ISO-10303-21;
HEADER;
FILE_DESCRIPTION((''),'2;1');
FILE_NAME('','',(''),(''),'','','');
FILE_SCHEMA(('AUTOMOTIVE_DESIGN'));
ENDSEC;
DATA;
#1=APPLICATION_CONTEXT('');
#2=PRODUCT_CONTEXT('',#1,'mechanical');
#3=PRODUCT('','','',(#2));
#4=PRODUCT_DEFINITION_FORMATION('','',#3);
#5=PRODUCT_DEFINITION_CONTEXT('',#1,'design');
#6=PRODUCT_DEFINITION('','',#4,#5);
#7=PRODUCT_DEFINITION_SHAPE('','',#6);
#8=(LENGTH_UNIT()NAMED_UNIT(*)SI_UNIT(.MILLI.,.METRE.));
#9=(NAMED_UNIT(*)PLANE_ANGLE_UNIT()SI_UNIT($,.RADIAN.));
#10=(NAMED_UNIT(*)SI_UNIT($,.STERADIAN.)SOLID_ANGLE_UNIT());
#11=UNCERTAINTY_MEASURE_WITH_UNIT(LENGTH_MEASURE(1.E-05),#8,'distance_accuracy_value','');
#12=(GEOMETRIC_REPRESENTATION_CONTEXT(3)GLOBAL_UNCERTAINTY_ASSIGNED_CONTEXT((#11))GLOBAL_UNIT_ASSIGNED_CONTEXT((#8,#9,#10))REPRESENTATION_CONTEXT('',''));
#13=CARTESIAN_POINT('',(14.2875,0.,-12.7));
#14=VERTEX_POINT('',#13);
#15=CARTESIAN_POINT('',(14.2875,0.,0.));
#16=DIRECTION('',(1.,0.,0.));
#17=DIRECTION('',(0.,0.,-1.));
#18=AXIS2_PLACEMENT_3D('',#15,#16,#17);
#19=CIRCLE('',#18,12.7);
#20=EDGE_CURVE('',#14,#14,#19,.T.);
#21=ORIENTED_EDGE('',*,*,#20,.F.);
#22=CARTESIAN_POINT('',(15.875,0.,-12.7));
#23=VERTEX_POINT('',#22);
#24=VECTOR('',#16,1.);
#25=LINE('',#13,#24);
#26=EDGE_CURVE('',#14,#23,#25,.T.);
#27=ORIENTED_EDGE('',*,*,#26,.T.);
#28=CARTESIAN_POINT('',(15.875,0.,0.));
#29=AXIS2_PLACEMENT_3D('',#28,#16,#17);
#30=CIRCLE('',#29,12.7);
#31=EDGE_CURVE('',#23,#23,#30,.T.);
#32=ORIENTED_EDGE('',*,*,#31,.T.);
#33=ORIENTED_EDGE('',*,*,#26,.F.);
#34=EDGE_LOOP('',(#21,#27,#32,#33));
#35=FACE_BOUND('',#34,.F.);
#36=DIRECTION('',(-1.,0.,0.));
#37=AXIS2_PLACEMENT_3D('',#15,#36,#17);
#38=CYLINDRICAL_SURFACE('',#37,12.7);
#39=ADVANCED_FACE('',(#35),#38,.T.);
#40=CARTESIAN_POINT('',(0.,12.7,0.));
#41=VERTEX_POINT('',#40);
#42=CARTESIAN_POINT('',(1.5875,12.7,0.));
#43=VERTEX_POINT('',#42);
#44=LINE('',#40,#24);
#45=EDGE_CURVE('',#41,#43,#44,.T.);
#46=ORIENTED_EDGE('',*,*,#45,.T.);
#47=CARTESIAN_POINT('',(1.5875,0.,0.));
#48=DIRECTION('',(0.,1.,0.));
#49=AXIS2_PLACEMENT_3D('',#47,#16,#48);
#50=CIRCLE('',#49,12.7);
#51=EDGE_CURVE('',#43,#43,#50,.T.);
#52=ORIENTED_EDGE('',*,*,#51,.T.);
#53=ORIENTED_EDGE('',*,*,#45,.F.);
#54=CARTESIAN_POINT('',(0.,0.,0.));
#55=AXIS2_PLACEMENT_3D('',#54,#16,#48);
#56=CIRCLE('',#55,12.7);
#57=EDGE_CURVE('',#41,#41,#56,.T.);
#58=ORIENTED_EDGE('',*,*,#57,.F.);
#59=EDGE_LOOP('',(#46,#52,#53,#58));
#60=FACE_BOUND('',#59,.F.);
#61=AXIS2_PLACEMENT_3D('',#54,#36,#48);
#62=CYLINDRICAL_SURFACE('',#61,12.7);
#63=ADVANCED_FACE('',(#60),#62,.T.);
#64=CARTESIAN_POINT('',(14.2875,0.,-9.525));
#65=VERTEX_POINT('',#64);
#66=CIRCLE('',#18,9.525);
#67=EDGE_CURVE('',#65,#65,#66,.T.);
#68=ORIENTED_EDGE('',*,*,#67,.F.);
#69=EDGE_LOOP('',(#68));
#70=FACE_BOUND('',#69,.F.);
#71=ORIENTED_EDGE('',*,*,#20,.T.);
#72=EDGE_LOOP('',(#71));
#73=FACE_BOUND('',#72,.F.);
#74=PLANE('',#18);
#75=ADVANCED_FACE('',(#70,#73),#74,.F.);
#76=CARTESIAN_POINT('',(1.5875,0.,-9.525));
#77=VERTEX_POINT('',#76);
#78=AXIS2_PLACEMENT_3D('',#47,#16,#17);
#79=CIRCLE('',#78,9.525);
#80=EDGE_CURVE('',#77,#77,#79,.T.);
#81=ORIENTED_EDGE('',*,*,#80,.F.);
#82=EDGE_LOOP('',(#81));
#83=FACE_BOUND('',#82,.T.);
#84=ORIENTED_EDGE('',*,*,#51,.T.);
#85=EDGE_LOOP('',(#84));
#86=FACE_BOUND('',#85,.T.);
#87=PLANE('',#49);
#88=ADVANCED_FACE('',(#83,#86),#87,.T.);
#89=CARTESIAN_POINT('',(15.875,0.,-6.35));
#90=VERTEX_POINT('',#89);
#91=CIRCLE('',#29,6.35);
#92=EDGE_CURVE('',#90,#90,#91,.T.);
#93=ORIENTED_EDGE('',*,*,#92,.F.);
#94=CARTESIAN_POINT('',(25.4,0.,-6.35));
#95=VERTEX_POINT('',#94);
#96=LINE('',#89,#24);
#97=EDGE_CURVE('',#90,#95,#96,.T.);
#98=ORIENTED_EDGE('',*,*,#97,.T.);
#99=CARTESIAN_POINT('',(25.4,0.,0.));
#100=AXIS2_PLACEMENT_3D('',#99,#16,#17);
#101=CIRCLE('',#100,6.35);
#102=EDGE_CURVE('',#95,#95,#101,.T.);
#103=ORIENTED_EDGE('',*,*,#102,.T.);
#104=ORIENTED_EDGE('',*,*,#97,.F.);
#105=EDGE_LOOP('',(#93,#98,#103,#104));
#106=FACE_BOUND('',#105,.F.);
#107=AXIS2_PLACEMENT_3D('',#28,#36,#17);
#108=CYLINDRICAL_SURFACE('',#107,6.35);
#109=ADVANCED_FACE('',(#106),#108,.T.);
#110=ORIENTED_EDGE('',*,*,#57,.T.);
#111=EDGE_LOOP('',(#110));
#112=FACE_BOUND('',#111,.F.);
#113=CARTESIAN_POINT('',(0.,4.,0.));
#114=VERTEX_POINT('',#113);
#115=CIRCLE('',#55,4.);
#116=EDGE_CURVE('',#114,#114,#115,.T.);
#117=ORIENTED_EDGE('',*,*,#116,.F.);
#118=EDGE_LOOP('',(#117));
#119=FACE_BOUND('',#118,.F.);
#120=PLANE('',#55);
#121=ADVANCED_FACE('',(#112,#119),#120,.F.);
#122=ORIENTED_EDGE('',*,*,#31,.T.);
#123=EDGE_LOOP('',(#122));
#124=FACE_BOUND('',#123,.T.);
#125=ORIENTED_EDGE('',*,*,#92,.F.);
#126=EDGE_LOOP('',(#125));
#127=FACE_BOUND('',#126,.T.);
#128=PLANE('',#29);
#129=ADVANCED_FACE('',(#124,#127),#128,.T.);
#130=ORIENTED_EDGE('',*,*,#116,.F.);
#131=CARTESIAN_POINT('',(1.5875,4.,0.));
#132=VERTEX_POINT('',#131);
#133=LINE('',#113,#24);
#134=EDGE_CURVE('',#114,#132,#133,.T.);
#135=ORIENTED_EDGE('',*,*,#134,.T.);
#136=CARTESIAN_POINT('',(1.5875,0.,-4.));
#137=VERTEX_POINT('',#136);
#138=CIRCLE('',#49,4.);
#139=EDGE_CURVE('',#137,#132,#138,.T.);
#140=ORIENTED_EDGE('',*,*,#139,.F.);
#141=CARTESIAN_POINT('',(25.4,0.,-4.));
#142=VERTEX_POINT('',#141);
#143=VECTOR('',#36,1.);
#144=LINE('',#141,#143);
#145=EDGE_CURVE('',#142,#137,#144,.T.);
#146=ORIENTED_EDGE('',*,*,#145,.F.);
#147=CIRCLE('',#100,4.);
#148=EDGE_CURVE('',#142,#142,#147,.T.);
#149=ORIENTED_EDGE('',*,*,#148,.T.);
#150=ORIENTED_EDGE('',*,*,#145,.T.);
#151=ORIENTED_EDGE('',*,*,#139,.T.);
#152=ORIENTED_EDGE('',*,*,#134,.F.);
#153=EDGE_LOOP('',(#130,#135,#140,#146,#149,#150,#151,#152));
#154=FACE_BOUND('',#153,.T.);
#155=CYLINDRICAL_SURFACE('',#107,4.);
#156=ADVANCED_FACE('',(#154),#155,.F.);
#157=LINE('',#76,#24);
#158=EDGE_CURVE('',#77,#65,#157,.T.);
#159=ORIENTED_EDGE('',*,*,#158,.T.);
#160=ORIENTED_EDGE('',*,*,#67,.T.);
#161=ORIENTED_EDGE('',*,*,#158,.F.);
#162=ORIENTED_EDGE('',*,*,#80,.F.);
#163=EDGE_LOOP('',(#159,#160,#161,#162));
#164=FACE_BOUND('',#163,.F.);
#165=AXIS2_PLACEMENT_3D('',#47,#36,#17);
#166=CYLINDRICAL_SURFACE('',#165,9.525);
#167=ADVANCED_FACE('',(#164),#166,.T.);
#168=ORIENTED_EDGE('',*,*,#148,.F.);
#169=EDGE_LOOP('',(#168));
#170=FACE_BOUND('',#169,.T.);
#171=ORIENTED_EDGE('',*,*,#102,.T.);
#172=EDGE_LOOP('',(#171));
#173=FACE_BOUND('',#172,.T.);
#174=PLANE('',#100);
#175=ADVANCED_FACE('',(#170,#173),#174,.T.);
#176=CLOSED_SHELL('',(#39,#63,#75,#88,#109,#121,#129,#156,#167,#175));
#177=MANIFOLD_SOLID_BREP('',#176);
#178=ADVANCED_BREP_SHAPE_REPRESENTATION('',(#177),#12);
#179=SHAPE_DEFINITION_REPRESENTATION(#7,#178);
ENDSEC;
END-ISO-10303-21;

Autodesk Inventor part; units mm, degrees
ref_plane "YZ Plane" through (0, 0, 0) normal (1, 0, 0) x (0, 1, 0)
ref_plane "XZ Plane" through (0, 0, 0) normal (0, 1, 0) x (-1, 0, 0)
ref_plane "XY Plane" through (0, 0, 0) normal (0, 0, 1) x (1, 0, 0)
sketch "Sketch1" plane through (0, 0, 0) normal (1, 0, 0) x (0, 1, 0)
  circle A0 centre (0, 0) radius 12.7
  circle A1 centre (0, 0) radius 4
  dimension "d0" = 25.4
  dimension "d9" = 8
extrude "Extrusion1" add sketch "Sketch1" along normal blind 1.5875
sketch "Sketch2" plane through (1.5875, 0, 0) normal (1, 0, 0) x (0, 0, -1)
  circle A0 centre (0, 0) radius 9.525
  circle A1 centre (0, 0) radius 4 projected
  dimension "d4" = 19.05
extrude "Extrusion2" add sketch "Sketch2" along normal blind 12.7
sketch "Sketch3" plane through (14.2875, 0, 0) normal (1, 0, 0) x (0, 0, -1)
  circle A0 centre (0, 0) radius 12.7 projected
  circle A1 centre (0, 0) radius 4 projected
extrude "Extrusion3" add sketch "Sketch3" along normal blind 1.5875
sketch "Sketch4" plane through (15.875, 0, 0) normal (1, 0, 0) x (0, 0, -1)
  circle A0 centre (0, 0) radius 6.35
  circle A1 centre (0, 0) radius 4 projected
  dimension "d10" = 12.7
extrude "Extrusion4" add sketch "Sketch4" along normal blind 9.525
properties part number "12T XL Pulley"
